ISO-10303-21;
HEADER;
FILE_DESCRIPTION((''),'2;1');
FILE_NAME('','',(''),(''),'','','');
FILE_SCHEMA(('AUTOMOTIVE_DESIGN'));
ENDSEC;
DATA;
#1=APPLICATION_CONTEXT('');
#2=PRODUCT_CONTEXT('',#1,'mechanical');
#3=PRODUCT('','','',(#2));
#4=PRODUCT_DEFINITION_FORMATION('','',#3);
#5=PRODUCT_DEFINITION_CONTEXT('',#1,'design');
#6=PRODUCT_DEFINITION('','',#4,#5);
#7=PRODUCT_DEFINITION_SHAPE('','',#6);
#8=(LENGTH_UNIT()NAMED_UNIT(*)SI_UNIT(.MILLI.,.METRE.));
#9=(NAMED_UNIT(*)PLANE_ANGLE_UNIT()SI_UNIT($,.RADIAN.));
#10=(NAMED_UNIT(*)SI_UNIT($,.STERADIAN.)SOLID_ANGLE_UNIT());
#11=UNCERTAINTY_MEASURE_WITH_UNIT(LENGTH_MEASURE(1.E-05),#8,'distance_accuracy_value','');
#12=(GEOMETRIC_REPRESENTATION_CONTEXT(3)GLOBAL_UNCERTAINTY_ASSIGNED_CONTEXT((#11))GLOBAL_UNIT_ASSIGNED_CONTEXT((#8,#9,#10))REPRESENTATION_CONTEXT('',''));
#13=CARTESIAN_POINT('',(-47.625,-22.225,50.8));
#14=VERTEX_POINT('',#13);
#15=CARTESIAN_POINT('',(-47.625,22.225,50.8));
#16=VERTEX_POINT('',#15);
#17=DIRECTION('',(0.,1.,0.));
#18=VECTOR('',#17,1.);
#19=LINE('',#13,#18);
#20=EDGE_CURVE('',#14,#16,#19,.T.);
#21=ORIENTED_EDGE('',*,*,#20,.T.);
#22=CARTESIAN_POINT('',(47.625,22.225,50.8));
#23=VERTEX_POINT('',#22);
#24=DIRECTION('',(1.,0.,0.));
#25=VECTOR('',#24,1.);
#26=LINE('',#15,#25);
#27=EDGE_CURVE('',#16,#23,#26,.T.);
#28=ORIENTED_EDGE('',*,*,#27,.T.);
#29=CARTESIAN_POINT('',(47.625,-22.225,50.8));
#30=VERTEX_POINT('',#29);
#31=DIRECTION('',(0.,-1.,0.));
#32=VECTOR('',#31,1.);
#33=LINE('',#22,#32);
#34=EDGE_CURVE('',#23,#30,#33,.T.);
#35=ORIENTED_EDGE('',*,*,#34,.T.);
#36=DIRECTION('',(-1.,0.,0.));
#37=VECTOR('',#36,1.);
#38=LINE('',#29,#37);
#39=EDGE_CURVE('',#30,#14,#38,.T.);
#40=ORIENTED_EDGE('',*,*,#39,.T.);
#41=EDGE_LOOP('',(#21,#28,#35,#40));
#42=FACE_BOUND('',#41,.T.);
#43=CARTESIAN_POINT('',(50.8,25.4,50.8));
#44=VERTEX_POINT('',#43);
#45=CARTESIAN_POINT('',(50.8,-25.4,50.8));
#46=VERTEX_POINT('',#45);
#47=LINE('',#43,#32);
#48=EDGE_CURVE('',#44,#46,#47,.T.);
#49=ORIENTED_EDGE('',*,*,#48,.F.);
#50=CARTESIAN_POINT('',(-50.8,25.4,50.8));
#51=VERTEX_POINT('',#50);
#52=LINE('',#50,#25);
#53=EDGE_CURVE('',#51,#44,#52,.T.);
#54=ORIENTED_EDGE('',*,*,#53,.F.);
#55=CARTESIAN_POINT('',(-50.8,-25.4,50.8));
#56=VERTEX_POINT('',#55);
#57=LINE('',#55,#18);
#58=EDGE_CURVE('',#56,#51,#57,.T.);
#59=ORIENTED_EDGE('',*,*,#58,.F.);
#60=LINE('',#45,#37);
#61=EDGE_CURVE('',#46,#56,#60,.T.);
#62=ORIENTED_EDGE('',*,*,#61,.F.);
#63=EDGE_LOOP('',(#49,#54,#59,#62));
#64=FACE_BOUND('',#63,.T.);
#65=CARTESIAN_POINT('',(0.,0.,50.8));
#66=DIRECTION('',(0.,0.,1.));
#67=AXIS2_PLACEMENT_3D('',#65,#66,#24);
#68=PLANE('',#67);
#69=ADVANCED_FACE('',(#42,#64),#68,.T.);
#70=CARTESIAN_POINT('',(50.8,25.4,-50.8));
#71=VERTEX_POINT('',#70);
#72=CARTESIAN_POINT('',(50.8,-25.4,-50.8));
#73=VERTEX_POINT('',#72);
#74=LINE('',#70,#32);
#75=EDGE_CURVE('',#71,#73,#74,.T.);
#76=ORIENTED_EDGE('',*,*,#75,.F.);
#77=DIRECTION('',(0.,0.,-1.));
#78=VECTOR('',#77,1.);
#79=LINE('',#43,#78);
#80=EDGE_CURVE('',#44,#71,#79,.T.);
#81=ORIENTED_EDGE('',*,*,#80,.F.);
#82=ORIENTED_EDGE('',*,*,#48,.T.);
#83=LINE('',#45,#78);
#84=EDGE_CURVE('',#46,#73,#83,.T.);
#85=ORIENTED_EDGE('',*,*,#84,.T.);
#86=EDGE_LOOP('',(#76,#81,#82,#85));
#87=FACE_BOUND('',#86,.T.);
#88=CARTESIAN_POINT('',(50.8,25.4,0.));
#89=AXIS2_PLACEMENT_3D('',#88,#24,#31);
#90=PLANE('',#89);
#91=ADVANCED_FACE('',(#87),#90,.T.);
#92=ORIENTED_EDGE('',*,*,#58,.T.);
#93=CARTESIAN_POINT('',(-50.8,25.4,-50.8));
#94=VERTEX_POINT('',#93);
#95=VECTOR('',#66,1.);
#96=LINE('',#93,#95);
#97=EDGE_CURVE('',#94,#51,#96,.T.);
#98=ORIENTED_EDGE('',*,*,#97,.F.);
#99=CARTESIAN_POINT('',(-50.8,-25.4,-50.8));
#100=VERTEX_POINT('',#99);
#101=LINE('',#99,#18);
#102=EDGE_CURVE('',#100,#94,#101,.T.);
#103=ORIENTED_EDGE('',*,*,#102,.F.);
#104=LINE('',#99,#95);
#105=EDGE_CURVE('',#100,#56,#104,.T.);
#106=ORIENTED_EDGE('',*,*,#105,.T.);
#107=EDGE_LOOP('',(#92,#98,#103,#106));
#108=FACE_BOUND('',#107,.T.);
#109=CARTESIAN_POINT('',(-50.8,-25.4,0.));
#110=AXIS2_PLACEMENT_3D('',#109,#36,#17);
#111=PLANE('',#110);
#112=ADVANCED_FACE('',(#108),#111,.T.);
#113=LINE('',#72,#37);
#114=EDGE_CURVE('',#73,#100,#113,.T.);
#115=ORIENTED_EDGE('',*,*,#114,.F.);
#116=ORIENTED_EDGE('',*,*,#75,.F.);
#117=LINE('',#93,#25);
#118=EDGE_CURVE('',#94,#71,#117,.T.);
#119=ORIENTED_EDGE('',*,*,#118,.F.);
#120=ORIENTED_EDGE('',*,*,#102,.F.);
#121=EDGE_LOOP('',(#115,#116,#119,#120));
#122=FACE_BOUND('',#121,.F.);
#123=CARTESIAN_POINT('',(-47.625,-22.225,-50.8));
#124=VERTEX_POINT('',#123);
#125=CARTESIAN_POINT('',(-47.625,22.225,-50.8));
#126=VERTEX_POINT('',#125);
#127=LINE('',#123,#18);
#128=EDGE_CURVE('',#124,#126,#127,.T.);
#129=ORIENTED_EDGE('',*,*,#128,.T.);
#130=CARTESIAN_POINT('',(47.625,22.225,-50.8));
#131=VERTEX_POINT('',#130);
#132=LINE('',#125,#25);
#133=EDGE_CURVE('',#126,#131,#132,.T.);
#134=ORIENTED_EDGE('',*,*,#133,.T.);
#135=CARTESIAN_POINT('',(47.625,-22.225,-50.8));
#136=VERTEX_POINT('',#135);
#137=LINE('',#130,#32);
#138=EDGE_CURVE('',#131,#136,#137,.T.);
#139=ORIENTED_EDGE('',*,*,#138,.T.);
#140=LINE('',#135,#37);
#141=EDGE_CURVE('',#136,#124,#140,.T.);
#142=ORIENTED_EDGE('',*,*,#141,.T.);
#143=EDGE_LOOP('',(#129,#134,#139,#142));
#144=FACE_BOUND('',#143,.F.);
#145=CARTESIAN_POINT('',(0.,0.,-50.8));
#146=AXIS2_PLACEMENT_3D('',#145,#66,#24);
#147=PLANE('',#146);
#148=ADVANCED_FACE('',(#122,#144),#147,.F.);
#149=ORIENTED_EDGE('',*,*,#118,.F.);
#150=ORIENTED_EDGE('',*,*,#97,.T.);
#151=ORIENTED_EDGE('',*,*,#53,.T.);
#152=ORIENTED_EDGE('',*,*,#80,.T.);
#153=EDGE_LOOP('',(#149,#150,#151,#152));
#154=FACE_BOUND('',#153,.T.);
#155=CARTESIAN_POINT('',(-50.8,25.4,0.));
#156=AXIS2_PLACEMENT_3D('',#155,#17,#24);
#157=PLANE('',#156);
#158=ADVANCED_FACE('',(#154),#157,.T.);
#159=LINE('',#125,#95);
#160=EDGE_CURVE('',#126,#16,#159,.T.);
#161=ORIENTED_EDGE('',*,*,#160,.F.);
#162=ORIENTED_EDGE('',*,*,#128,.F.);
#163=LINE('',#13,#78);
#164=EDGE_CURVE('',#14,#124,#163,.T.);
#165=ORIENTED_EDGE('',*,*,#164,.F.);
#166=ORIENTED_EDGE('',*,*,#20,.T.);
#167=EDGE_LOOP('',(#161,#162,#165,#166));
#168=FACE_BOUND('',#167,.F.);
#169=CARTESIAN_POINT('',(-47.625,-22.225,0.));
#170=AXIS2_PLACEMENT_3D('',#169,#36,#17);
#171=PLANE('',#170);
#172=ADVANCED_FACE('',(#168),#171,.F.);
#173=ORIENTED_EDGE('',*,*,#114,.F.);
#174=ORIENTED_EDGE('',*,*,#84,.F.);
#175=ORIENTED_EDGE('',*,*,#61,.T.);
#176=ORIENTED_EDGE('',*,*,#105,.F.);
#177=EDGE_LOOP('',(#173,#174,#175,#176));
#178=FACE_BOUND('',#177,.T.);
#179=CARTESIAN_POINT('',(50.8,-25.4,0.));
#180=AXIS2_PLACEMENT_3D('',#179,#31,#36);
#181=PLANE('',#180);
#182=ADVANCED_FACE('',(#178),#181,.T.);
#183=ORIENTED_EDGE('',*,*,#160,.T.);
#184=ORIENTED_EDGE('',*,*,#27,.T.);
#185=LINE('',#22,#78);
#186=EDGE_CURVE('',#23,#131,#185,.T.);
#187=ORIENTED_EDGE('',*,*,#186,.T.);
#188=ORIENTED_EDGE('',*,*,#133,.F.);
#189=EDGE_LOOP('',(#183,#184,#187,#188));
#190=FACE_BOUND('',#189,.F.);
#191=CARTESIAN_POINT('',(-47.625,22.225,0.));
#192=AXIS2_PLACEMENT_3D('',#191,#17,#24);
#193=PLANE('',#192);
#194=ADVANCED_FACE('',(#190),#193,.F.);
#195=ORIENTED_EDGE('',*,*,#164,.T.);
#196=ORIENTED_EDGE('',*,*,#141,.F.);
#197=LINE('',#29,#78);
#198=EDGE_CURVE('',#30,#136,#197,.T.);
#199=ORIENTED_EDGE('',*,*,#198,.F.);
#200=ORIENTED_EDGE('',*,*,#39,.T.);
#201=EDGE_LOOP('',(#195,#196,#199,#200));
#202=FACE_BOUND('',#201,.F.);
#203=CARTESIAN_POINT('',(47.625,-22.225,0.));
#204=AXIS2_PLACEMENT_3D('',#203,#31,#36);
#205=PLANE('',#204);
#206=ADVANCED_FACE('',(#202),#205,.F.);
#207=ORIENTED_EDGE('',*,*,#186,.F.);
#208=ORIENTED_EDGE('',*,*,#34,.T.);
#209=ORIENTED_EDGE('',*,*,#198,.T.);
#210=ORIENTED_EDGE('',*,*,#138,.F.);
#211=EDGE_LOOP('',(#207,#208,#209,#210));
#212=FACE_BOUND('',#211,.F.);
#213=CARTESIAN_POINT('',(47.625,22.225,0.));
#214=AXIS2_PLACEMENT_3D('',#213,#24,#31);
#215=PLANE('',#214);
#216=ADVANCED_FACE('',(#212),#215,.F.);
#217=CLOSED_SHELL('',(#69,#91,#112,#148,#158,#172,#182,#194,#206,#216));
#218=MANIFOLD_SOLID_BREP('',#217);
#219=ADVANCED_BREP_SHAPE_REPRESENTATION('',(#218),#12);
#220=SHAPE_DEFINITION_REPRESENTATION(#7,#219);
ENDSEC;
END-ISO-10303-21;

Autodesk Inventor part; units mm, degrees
ref_plane "YZ Plane" through (0, 0, 0) normal (1, 0, 0) x (0, 1, 0)
ref_plane "XZ Plane" through (0, 0, 0) normal (0, 1, 0) x (-1, 0, 0)
ref_plane "XY Plane" through (0, 0, 0) normal (0, 0, 1) x (1, 0, 0)
sketch "Sketch1" plane through (0, 0, 0) normal (0, 0, 1) x (1, 0, 0)
  line L0 (-71.12, 0) -> (71.12, 0) construction
  line L1 (0, -35.56) -> (0, 35.56) construction
  line L2 (-50.8, 25.4) -> (50.8, 25.4)
  line L3 (50.8, 25.4) -> (50.8, -25.4)
  line L4 (50.8, -25.4) -> (-50.8, -25.4)
  line L5 (-50.8, -25.4) -> (-50.8, 25.4)
  line L6 (-47.625, 22.225) -> (47.625, 22.225)
  line L7 (47.625, 22.225) -> (47.625, -22.225)
  line L8 (47.625, -22.225) -> (-47.625, -22.225)
  line L9 (-47.625, -22.225) -> (-47.625, 22.225)
  point P0 (0, 0)
  point P1 (-50.8, 0)
  point P2 (0, 25.4)
  point P3 (-47.625, 0)
  point P4 (0, 22.225)
  dimension "d0" = 50.8
  dimension "d1" = 3.175
  dimension "d11" = 101.6
  dimension "d12" = 3.175
extrude "Extrusion1" add sketch "Sketch1" along normal mid plane 101.6
equation "\"d12\" = d1"
properties part number "Arm 4 inch" material "Aluminum 6061"
